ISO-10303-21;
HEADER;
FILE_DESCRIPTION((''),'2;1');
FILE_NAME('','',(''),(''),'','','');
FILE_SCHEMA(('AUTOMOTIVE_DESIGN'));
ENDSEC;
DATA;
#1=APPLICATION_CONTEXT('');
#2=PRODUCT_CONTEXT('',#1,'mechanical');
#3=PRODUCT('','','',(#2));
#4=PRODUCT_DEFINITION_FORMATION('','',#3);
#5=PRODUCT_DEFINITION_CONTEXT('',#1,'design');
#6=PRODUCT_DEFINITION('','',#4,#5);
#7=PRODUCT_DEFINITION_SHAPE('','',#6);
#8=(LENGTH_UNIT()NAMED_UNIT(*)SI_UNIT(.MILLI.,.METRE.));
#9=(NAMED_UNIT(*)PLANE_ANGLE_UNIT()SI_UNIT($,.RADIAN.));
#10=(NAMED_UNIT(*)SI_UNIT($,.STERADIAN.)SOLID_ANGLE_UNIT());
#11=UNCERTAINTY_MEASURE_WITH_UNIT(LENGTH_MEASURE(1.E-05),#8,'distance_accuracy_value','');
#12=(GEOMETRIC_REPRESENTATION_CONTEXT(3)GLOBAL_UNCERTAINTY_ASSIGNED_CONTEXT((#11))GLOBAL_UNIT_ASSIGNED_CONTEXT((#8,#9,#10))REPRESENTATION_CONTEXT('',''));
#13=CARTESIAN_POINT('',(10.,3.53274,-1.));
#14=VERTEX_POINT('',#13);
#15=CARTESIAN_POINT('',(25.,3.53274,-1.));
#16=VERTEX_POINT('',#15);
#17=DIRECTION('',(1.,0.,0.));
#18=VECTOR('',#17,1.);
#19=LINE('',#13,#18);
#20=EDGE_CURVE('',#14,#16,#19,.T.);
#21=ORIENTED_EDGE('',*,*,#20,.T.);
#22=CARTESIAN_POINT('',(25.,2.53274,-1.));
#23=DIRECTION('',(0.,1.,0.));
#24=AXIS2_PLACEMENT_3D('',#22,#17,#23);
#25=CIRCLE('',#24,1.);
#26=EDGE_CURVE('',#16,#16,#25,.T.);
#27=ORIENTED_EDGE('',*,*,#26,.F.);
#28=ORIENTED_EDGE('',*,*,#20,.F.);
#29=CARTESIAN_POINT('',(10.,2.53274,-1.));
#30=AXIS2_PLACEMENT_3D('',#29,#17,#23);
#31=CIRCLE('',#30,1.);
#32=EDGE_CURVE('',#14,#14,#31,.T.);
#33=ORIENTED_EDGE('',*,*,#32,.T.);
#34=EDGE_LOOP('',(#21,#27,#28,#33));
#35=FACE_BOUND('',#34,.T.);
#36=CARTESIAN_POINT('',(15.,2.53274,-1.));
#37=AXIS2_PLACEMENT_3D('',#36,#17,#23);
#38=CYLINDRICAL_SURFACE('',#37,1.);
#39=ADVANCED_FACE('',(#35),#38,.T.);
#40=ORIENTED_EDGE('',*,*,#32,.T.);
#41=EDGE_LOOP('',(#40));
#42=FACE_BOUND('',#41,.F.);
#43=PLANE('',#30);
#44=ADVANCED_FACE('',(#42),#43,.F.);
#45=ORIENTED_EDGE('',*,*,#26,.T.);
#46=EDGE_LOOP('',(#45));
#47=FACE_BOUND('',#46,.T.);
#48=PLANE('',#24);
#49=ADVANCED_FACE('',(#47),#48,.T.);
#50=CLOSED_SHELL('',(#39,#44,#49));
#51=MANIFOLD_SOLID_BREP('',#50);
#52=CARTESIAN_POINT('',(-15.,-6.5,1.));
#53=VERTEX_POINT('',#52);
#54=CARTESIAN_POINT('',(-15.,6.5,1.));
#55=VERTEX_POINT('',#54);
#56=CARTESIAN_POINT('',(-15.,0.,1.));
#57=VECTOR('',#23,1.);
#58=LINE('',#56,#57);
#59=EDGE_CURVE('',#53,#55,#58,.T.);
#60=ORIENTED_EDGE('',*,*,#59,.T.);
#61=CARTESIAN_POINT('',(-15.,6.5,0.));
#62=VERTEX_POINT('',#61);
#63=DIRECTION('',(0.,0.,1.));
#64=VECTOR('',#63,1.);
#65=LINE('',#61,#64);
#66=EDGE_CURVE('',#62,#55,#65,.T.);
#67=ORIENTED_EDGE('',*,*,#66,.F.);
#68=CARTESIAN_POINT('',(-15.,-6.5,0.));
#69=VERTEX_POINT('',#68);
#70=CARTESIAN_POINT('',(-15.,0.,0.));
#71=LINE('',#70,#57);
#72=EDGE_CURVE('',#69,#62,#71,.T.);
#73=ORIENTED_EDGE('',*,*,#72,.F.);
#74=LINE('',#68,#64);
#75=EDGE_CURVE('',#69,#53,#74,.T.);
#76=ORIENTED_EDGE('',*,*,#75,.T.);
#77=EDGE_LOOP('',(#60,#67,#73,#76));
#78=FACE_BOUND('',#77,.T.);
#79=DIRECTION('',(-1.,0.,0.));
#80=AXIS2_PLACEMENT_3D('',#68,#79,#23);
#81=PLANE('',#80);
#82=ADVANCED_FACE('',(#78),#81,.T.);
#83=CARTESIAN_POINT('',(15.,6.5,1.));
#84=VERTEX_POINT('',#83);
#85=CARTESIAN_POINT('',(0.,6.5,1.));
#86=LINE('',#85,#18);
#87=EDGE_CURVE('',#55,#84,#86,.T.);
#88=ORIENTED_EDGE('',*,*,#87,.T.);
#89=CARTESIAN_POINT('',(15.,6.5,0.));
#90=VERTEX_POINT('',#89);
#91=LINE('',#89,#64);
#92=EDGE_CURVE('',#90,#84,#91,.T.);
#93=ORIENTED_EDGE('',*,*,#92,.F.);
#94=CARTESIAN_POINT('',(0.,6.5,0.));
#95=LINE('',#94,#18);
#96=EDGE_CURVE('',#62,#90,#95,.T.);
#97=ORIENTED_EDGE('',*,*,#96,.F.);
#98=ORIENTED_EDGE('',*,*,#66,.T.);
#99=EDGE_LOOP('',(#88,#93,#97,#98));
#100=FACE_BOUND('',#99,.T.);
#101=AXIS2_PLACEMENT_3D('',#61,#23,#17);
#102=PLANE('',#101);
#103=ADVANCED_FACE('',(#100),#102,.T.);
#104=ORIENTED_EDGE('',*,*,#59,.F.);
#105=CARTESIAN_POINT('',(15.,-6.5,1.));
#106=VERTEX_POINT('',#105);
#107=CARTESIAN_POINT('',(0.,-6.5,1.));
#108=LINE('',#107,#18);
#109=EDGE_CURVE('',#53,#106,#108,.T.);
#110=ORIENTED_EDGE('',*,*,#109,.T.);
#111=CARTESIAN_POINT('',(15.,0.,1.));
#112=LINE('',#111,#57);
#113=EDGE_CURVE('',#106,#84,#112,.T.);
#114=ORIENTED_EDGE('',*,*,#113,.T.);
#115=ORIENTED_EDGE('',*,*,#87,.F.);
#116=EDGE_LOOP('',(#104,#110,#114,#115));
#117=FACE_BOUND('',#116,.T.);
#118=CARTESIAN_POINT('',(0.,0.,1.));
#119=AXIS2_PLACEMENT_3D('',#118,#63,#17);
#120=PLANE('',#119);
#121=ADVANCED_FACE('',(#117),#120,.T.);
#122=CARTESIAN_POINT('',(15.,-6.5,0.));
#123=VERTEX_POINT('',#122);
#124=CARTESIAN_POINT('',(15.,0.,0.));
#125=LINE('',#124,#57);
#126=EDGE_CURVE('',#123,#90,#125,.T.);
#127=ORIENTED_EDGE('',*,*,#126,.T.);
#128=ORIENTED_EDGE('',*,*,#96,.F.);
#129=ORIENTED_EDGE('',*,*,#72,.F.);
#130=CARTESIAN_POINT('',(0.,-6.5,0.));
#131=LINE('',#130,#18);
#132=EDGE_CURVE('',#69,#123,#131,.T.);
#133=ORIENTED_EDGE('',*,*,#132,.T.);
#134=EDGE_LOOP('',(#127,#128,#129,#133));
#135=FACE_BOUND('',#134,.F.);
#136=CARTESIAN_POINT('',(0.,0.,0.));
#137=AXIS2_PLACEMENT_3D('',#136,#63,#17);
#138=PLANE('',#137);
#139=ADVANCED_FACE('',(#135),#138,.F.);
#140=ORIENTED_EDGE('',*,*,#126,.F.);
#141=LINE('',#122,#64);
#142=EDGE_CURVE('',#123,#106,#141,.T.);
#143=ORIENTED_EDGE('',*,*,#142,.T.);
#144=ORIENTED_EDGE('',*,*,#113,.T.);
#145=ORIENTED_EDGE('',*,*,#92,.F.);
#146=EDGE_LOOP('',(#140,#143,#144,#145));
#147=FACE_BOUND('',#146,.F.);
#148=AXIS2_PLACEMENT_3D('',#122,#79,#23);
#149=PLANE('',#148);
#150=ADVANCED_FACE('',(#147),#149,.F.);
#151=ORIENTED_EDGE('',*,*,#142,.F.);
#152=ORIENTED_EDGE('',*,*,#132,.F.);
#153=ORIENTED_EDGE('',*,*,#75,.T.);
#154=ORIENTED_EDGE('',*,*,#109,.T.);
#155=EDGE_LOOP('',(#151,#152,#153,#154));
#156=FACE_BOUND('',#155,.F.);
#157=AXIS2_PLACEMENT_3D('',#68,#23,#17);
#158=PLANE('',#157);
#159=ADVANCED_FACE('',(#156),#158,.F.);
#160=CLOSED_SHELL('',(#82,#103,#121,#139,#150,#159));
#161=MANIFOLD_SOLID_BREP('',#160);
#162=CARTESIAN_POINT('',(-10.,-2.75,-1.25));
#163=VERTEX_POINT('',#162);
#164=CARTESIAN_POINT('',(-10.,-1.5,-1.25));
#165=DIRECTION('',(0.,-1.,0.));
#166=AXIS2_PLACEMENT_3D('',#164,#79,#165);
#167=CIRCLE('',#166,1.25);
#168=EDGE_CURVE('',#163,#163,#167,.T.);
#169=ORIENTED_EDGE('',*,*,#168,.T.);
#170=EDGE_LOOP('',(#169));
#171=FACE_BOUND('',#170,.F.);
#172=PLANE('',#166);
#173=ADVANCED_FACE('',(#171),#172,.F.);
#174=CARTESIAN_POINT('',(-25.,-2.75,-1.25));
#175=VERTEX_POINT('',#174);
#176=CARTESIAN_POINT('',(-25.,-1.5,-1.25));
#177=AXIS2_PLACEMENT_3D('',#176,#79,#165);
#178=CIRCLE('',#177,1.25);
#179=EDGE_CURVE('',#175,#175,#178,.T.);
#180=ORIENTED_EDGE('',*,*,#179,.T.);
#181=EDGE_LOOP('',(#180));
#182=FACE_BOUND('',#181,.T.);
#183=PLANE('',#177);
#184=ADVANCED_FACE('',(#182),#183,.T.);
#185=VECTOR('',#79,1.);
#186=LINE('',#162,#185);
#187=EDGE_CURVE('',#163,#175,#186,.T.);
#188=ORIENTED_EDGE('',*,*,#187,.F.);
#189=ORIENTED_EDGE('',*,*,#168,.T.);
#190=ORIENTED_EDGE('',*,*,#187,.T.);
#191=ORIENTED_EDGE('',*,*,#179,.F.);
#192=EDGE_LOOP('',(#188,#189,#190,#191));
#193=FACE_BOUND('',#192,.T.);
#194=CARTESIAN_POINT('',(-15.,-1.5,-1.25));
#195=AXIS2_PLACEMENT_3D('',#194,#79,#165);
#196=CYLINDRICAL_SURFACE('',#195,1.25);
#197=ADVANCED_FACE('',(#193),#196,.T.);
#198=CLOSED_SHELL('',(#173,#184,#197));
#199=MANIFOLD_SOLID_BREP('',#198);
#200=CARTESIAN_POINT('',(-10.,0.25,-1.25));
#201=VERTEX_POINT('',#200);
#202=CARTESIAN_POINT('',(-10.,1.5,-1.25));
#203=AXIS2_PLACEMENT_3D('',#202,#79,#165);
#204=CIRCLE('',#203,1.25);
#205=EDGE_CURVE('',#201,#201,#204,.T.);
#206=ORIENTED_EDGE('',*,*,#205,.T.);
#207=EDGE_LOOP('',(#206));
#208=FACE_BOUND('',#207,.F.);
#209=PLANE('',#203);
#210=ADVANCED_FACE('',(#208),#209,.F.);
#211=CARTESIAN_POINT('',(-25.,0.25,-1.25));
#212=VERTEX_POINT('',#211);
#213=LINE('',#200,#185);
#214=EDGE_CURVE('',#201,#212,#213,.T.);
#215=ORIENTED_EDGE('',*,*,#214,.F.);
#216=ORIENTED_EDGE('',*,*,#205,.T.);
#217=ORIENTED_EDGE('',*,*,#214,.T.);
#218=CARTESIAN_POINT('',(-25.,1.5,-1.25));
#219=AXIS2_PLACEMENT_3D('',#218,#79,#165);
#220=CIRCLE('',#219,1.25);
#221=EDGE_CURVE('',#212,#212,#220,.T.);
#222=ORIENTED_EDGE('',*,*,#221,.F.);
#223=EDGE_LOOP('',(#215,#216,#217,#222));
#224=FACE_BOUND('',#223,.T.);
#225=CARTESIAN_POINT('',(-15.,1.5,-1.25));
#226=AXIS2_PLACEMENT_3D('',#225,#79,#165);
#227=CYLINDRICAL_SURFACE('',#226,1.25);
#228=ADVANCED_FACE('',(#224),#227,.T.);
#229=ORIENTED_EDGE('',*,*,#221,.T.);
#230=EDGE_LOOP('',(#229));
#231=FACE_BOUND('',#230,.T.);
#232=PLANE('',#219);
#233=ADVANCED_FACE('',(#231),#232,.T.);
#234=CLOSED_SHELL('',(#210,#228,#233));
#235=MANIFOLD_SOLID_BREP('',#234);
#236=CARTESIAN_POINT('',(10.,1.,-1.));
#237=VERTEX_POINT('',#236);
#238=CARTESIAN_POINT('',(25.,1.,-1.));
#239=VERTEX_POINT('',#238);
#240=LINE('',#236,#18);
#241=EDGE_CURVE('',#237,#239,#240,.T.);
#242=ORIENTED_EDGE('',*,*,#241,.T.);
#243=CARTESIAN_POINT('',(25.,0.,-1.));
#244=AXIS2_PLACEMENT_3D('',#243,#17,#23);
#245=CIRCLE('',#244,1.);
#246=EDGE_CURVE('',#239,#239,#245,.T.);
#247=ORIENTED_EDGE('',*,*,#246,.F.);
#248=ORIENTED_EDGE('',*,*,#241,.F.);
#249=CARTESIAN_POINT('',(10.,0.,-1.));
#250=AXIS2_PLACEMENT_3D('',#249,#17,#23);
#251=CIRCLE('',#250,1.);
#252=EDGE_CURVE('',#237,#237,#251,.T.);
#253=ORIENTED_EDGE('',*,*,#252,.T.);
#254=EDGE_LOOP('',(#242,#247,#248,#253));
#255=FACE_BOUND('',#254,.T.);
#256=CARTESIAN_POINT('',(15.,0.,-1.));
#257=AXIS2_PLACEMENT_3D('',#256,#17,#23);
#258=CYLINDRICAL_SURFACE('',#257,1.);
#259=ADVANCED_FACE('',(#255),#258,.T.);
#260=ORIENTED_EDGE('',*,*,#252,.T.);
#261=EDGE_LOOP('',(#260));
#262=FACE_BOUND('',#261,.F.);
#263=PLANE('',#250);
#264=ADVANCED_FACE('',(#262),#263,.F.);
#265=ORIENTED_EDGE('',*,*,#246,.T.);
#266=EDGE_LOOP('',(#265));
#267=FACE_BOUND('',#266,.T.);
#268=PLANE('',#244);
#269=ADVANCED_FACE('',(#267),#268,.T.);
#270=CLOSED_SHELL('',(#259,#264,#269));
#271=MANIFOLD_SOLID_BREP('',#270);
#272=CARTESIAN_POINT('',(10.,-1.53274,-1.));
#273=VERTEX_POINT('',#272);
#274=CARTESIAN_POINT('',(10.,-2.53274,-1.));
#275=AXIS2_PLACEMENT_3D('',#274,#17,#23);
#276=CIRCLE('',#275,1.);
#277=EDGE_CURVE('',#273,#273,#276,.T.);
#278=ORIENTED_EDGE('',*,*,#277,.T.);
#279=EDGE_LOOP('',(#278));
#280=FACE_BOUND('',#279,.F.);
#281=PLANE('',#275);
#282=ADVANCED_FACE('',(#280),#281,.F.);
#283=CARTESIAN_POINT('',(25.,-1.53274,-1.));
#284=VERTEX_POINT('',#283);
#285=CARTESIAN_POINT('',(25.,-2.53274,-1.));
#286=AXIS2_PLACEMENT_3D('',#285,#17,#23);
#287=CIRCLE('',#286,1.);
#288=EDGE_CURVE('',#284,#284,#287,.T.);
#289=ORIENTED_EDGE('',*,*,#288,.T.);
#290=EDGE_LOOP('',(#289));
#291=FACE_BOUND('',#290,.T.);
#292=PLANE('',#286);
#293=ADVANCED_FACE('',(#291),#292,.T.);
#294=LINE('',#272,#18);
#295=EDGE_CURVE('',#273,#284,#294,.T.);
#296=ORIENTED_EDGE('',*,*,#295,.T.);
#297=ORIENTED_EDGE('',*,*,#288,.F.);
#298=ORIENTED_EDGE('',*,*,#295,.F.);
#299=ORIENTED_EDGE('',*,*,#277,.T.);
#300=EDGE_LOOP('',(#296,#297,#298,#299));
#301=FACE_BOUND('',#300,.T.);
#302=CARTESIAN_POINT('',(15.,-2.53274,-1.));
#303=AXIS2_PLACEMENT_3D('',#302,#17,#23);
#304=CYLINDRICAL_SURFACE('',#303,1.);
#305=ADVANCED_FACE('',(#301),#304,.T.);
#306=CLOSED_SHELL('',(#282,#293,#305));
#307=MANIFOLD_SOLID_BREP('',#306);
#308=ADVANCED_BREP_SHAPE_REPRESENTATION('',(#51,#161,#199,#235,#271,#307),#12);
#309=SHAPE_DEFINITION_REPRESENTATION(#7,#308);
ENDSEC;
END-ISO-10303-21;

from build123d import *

# Parameters (mm, degrees)
F0_W          = 30
F0_H          = 13
F1_DEPTH      = 1
F2_R          = 1
F3_DEPTH      = 10
F3_DEPTH_BACK = 5
F4_R          = 1.25
F5_DEPTH      = 10
F5_DEPTH_BACK = 5


with BuildPart() as f1:
    # F0 (on Top) → F1 (new body)
    with BuildSketch(Plane.XY):
        Rectangle(F0_W, F0_H)
    extrude(amount=F1_DEPTH)


with BuildPart() as f3:
    # F2 (on face) → F3 (new body, two sides)
    with BuildSketch(Plane.YZ.offset(15)) as f3_sk:
        with Locations((-2.53274, -1)):
            Circle(F2_R)
        with Locations((0, -1)):
            Circle(F2_R)
        with Locations((2.53274, -1)):
            Circle(F2_R)
    extrude(amount=F3_DEPTH)
    extrude(f3_sk.sketch, amount=-F3_DEPTH_BACK)


with BuildPart() as f5:
    # F4 (on face) → F5 (new body, two sides)
    with BuildSketch(Plane(origin=(-15, 0, 0), x_dir=(0, -1, 0), z_dir=(-1, 0, 0))) as f5_sk:
        with Locations((-1.5, -1.25)):
            Circle(F4_R)
        with Locations((1.5, -1.25)):
            Circle(F4_R)
    extrude(amount=F5_DEPTH)
    extrude(f5_sk.sketch, amount=-F5_DEPTH_BACK)


solid = Compound([f1.part, f3.part, f5.part])
